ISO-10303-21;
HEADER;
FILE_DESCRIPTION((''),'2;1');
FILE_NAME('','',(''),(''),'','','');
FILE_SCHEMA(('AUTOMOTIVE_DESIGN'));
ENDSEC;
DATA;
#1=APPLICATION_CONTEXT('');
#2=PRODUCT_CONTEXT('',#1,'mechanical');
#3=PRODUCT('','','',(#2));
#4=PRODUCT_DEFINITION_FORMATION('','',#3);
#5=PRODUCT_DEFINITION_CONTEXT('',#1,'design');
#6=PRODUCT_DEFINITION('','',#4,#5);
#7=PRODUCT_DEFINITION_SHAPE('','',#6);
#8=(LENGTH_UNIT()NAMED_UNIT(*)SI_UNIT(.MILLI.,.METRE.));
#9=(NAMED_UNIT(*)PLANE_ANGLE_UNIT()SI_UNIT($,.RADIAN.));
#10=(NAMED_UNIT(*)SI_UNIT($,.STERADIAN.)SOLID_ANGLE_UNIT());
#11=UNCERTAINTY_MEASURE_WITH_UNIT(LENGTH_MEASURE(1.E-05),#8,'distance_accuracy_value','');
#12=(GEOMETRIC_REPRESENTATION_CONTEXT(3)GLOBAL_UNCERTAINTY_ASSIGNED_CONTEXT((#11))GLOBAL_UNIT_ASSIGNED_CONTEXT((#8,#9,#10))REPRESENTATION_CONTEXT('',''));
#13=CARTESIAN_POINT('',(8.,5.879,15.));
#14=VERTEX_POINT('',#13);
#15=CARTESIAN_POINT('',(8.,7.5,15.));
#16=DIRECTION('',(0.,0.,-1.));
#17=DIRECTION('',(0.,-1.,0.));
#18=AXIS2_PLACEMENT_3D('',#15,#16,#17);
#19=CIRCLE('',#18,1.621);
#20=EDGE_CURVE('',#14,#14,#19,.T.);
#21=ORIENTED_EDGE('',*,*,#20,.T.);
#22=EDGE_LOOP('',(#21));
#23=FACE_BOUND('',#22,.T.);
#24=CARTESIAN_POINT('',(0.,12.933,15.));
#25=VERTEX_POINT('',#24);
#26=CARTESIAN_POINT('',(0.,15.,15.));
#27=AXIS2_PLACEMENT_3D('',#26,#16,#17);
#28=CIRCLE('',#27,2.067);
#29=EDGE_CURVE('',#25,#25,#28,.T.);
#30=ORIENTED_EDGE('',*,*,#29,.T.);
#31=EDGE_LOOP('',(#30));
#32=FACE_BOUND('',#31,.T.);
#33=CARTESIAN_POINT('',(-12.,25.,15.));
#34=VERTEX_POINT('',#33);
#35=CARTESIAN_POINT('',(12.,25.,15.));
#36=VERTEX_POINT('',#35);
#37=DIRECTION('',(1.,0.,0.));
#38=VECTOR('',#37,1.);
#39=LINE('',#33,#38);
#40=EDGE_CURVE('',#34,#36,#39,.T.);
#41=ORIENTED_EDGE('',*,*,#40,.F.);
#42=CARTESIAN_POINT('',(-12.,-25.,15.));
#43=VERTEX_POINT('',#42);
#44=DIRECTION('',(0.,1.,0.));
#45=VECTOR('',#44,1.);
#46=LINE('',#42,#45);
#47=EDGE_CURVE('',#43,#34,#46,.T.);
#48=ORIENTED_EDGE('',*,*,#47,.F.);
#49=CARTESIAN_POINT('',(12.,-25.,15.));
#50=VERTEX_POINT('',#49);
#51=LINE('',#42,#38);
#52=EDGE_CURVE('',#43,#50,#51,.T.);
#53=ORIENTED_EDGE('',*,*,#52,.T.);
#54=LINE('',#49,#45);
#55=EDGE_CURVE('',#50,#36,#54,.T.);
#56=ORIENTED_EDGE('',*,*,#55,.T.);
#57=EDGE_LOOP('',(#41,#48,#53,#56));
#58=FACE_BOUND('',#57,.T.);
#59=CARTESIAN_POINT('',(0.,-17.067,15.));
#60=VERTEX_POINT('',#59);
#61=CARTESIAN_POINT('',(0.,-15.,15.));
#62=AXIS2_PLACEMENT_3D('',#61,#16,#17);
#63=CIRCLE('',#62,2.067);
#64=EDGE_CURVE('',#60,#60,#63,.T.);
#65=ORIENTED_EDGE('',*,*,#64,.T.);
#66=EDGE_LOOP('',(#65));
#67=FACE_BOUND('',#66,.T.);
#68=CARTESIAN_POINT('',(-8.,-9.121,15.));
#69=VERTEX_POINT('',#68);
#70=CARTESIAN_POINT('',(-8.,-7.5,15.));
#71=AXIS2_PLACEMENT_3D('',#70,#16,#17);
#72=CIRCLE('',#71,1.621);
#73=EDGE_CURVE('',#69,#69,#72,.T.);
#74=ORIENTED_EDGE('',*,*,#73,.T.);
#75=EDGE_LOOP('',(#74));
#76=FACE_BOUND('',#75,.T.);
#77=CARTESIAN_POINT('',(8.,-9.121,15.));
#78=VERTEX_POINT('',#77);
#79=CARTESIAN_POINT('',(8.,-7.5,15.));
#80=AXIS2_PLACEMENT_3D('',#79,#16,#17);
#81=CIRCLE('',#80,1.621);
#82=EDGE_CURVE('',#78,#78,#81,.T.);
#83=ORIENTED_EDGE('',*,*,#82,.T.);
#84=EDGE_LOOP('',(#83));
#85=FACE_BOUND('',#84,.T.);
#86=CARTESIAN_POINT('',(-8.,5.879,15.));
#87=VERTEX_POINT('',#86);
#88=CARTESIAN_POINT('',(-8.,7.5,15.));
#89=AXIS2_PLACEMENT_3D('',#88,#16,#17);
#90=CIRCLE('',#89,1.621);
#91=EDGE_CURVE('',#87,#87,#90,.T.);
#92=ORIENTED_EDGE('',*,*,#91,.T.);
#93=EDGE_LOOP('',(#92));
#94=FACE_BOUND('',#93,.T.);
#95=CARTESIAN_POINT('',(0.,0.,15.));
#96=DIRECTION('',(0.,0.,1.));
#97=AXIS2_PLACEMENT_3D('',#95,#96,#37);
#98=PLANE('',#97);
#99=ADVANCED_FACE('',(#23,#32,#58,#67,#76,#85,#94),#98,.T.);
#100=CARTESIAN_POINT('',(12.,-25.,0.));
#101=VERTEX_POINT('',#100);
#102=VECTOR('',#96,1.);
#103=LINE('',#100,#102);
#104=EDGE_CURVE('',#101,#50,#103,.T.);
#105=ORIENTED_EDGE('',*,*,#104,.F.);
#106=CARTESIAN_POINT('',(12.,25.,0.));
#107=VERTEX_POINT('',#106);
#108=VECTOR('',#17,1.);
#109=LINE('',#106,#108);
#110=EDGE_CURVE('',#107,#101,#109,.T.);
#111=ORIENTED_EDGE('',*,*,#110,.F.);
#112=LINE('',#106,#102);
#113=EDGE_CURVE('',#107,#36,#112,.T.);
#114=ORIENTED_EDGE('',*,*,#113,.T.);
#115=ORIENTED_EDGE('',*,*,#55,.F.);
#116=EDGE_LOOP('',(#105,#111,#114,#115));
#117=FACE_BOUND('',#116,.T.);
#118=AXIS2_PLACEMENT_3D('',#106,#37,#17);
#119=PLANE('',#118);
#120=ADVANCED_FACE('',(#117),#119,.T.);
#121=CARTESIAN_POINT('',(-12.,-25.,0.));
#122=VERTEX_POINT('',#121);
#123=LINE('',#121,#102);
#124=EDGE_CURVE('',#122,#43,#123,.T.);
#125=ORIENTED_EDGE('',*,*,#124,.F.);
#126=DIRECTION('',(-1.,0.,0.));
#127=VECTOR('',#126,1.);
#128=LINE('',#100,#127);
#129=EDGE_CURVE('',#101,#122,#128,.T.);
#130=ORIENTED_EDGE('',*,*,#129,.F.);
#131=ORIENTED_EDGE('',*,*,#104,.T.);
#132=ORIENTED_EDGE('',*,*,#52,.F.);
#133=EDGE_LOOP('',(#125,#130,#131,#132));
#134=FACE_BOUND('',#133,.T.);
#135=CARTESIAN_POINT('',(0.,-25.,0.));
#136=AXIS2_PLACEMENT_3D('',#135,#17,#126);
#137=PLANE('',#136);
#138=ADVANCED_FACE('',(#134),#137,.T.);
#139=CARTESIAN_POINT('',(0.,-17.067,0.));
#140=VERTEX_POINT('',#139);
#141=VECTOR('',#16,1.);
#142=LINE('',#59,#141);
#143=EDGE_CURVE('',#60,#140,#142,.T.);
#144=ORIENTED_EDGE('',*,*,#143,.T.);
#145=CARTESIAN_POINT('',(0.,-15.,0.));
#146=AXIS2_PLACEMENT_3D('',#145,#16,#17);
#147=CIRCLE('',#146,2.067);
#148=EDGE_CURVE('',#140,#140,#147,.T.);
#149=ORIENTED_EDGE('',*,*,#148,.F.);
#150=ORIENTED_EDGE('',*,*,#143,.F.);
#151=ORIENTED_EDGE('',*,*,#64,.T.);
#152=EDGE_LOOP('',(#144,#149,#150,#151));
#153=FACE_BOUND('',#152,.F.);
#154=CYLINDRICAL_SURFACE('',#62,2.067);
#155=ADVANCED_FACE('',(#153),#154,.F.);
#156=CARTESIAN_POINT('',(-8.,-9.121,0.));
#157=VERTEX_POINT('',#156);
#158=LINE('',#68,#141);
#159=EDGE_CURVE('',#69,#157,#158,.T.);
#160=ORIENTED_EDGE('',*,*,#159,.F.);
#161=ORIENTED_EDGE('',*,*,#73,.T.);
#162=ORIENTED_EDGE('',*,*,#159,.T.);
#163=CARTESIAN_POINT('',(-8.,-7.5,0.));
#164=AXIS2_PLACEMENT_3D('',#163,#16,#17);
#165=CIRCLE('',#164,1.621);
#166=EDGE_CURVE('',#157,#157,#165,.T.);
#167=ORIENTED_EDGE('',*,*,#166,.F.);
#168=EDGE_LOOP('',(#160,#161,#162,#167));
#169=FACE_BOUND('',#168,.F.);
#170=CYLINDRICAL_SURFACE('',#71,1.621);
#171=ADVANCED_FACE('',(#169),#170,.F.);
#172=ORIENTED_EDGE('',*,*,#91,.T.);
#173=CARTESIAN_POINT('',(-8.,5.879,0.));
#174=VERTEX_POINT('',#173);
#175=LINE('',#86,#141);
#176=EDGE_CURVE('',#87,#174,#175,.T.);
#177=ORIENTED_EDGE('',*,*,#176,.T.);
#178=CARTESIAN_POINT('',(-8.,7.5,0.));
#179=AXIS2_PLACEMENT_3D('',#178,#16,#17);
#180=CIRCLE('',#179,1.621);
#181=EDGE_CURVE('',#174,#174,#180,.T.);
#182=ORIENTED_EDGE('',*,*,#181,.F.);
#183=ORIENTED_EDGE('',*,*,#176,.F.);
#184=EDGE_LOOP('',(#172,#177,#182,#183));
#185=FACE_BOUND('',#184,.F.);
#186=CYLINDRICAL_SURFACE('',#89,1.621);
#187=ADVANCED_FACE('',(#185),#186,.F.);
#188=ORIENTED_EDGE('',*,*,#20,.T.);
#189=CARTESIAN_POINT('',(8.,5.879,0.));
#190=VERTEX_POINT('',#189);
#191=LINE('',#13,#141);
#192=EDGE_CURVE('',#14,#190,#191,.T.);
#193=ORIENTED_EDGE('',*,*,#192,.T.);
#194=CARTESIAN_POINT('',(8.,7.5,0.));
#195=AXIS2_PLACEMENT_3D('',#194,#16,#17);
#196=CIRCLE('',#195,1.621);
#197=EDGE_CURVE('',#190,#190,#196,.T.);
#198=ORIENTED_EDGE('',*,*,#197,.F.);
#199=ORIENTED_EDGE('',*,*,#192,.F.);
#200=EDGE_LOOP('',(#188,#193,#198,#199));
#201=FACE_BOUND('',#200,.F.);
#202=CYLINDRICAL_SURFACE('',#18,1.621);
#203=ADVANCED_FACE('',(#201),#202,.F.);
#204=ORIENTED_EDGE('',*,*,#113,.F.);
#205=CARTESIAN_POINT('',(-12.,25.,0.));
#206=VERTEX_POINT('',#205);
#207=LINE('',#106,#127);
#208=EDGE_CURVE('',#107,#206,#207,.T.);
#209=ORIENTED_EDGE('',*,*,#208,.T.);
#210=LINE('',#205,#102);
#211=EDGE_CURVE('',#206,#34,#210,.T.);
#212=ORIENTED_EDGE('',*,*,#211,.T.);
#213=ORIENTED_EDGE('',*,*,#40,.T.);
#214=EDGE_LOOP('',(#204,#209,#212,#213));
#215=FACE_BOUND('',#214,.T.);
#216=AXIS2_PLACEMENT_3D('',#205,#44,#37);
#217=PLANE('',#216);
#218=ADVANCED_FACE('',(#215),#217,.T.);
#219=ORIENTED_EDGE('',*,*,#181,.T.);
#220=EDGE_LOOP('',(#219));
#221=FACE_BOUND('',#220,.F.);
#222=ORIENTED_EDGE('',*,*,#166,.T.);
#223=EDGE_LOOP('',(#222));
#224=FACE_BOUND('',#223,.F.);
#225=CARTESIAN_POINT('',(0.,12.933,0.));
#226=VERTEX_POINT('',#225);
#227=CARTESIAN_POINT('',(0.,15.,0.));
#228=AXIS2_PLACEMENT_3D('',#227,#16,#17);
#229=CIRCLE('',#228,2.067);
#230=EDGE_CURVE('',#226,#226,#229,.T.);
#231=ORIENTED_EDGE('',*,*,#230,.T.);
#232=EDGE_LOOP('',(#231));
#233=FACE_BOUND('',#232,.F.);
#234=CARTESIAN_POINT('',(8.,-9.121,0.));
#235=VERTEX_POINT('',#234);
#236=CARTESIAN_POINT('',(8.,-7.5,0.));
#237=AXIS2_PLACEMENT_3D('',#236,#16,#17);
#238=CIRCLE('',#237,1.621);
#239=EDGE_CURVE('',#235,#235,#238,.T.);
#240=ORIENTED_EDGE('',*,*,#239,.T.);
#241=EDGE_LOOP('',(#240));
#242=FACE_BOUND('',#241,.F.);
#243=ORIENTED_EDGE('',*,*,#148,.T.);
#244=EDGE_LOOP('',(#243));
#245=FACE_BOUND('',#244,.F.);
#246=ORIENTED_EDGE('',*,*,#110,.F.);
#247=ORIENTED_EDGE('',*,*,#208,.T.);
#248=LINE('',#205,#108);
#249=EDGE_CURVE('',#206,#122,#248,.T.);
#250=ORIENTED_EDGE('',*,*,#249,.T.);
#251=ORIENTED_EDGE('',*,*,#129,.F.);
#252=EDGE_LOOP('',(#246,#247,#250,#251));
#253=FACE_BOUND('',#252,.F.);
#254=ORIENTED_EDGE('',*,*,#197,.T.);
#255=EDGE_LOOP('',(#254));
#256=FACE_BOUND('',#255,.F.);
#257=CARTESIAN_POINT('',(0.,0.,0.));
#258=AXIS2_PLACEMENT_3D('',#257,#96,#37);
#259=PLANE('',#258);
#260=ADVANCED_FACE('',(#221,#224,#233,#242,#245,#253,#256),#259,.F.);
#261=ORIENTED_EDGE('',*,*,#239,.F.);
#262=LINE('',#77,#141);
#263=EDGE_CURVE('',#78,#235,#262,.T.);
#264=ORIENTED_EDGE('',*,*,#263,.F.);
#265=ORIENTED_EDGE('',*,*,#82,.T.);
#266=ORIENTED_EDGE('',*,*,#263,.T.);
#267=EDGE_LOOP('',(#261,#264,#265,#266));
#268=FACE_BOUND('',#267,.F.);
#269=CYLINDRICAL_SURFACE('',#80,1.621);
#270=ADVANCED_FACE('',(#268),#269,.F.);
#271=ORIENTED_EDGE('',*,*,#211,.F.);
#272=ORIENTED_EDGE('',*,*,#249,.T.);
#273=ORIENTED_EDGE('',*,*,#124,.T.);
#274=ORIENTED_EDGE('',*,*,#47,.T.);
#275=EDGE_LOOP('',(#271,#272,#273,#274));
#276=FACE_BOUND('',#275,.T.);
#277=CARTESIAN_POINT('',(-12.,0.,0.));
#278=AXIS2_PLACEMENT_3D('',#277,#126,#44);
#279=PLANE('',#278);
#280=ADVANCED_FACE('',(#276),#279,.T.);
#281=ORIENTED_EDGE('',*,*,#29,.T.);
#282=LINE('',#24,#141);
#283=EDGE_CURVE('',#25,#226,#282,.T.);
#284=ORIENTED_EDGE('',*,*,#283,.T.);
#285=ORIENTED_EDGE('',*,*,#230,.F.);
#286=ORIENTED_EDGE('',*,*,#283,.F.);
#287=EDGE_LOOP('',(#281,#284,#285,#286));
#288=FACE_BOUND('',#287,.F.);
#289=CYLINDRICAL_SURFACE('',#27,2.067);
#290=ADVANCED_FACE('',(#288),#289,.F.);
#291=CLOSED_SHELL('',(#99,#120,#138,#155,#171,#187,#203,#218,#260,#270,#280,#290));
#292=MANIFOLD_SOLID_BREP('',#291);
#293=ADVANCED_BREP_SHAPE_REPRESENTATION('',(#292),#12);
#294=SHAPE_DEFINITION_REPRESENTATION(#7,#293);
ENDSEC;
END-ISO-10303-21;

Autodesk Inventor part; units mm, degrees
ref_plane "YZ Plane" through (0, 0, 0) normal (1, 0, 0) x (0, 1, 0)
ref_plane "XZ Plane" through (0, 0, 0) normal (0, 1, 0) x (-1, 0, 0)
ref_plane "XY Plane" through (0, 0, 0) normal (0, 0, 1) x (1, 0, 0)
sketch "Skizze1" plane through (0, 0, 0) normal (0, 0, 1) x (1, 0, 0)
  line L0 (-12, 25) -> (12, 25)
  line L1 (12, 25) -> (12, -25)
  line L2 (12, -25) -> (-12, -25)
  line L3 (-12, -25) -> (-12, 25)
  line L4 (-16.8, 0) -> (16.8, 0) projected
  line L5 (0, -35) -> (0, 35) projected
  point P0 (0, 0)
  dimension "d0" = 24
  dimension "d1" = 50
extrude "Extrusion1" add sketch "Skizze1" along normal blind 15
sketch "Skizze2" plane through (0, 0, 15) normal (0, 0, 1) x (1, 0, 0)
  line L0 (-16.8, 0) -> (16.8, 0) projected
  line L1 (0, -35) -> (0, 35) projected
  line L2 (-8, 7.5) -> (8, 7.5)
  line L3 (8, 7.5) -> (8, -7.5)
  line L4 (8, -7.5) -> (-8, -7.5)
  line L5 (-8, -7.5) -> (-8, 7.5)
  point P0 (0, 0)
  dimension "d4" = 16
  dimension "d5" = 15
hole "Bohrung1" at (-8, 7.5, 15) at (8, 7.5, 15) at (8, -7.5, 15) at (-8, -7.5, 15) direction (0, 0, -1) diameter 3.242 end through all thread size "M4x0.7" class "6H" standard "ISO Metric profile"
sketch "Skizze3" plane through (0, 0, 15) normal (0, 0, 1) x (1, 0, 0)
  circle A0 centre (0, 15) radius 2.75 projected
  circle A1 centre (0, -15) radius 2.75 projected
  point P0 (0, 0)
hole "Bohrung2" at (0, 15, 15) at (0, -15, 15) direction (0, 0, -1) diameter 4.134 end through all thread size "M5x0.8" class "6H" standard "ISO Metric profile"
properties part number "13_0204_029"
